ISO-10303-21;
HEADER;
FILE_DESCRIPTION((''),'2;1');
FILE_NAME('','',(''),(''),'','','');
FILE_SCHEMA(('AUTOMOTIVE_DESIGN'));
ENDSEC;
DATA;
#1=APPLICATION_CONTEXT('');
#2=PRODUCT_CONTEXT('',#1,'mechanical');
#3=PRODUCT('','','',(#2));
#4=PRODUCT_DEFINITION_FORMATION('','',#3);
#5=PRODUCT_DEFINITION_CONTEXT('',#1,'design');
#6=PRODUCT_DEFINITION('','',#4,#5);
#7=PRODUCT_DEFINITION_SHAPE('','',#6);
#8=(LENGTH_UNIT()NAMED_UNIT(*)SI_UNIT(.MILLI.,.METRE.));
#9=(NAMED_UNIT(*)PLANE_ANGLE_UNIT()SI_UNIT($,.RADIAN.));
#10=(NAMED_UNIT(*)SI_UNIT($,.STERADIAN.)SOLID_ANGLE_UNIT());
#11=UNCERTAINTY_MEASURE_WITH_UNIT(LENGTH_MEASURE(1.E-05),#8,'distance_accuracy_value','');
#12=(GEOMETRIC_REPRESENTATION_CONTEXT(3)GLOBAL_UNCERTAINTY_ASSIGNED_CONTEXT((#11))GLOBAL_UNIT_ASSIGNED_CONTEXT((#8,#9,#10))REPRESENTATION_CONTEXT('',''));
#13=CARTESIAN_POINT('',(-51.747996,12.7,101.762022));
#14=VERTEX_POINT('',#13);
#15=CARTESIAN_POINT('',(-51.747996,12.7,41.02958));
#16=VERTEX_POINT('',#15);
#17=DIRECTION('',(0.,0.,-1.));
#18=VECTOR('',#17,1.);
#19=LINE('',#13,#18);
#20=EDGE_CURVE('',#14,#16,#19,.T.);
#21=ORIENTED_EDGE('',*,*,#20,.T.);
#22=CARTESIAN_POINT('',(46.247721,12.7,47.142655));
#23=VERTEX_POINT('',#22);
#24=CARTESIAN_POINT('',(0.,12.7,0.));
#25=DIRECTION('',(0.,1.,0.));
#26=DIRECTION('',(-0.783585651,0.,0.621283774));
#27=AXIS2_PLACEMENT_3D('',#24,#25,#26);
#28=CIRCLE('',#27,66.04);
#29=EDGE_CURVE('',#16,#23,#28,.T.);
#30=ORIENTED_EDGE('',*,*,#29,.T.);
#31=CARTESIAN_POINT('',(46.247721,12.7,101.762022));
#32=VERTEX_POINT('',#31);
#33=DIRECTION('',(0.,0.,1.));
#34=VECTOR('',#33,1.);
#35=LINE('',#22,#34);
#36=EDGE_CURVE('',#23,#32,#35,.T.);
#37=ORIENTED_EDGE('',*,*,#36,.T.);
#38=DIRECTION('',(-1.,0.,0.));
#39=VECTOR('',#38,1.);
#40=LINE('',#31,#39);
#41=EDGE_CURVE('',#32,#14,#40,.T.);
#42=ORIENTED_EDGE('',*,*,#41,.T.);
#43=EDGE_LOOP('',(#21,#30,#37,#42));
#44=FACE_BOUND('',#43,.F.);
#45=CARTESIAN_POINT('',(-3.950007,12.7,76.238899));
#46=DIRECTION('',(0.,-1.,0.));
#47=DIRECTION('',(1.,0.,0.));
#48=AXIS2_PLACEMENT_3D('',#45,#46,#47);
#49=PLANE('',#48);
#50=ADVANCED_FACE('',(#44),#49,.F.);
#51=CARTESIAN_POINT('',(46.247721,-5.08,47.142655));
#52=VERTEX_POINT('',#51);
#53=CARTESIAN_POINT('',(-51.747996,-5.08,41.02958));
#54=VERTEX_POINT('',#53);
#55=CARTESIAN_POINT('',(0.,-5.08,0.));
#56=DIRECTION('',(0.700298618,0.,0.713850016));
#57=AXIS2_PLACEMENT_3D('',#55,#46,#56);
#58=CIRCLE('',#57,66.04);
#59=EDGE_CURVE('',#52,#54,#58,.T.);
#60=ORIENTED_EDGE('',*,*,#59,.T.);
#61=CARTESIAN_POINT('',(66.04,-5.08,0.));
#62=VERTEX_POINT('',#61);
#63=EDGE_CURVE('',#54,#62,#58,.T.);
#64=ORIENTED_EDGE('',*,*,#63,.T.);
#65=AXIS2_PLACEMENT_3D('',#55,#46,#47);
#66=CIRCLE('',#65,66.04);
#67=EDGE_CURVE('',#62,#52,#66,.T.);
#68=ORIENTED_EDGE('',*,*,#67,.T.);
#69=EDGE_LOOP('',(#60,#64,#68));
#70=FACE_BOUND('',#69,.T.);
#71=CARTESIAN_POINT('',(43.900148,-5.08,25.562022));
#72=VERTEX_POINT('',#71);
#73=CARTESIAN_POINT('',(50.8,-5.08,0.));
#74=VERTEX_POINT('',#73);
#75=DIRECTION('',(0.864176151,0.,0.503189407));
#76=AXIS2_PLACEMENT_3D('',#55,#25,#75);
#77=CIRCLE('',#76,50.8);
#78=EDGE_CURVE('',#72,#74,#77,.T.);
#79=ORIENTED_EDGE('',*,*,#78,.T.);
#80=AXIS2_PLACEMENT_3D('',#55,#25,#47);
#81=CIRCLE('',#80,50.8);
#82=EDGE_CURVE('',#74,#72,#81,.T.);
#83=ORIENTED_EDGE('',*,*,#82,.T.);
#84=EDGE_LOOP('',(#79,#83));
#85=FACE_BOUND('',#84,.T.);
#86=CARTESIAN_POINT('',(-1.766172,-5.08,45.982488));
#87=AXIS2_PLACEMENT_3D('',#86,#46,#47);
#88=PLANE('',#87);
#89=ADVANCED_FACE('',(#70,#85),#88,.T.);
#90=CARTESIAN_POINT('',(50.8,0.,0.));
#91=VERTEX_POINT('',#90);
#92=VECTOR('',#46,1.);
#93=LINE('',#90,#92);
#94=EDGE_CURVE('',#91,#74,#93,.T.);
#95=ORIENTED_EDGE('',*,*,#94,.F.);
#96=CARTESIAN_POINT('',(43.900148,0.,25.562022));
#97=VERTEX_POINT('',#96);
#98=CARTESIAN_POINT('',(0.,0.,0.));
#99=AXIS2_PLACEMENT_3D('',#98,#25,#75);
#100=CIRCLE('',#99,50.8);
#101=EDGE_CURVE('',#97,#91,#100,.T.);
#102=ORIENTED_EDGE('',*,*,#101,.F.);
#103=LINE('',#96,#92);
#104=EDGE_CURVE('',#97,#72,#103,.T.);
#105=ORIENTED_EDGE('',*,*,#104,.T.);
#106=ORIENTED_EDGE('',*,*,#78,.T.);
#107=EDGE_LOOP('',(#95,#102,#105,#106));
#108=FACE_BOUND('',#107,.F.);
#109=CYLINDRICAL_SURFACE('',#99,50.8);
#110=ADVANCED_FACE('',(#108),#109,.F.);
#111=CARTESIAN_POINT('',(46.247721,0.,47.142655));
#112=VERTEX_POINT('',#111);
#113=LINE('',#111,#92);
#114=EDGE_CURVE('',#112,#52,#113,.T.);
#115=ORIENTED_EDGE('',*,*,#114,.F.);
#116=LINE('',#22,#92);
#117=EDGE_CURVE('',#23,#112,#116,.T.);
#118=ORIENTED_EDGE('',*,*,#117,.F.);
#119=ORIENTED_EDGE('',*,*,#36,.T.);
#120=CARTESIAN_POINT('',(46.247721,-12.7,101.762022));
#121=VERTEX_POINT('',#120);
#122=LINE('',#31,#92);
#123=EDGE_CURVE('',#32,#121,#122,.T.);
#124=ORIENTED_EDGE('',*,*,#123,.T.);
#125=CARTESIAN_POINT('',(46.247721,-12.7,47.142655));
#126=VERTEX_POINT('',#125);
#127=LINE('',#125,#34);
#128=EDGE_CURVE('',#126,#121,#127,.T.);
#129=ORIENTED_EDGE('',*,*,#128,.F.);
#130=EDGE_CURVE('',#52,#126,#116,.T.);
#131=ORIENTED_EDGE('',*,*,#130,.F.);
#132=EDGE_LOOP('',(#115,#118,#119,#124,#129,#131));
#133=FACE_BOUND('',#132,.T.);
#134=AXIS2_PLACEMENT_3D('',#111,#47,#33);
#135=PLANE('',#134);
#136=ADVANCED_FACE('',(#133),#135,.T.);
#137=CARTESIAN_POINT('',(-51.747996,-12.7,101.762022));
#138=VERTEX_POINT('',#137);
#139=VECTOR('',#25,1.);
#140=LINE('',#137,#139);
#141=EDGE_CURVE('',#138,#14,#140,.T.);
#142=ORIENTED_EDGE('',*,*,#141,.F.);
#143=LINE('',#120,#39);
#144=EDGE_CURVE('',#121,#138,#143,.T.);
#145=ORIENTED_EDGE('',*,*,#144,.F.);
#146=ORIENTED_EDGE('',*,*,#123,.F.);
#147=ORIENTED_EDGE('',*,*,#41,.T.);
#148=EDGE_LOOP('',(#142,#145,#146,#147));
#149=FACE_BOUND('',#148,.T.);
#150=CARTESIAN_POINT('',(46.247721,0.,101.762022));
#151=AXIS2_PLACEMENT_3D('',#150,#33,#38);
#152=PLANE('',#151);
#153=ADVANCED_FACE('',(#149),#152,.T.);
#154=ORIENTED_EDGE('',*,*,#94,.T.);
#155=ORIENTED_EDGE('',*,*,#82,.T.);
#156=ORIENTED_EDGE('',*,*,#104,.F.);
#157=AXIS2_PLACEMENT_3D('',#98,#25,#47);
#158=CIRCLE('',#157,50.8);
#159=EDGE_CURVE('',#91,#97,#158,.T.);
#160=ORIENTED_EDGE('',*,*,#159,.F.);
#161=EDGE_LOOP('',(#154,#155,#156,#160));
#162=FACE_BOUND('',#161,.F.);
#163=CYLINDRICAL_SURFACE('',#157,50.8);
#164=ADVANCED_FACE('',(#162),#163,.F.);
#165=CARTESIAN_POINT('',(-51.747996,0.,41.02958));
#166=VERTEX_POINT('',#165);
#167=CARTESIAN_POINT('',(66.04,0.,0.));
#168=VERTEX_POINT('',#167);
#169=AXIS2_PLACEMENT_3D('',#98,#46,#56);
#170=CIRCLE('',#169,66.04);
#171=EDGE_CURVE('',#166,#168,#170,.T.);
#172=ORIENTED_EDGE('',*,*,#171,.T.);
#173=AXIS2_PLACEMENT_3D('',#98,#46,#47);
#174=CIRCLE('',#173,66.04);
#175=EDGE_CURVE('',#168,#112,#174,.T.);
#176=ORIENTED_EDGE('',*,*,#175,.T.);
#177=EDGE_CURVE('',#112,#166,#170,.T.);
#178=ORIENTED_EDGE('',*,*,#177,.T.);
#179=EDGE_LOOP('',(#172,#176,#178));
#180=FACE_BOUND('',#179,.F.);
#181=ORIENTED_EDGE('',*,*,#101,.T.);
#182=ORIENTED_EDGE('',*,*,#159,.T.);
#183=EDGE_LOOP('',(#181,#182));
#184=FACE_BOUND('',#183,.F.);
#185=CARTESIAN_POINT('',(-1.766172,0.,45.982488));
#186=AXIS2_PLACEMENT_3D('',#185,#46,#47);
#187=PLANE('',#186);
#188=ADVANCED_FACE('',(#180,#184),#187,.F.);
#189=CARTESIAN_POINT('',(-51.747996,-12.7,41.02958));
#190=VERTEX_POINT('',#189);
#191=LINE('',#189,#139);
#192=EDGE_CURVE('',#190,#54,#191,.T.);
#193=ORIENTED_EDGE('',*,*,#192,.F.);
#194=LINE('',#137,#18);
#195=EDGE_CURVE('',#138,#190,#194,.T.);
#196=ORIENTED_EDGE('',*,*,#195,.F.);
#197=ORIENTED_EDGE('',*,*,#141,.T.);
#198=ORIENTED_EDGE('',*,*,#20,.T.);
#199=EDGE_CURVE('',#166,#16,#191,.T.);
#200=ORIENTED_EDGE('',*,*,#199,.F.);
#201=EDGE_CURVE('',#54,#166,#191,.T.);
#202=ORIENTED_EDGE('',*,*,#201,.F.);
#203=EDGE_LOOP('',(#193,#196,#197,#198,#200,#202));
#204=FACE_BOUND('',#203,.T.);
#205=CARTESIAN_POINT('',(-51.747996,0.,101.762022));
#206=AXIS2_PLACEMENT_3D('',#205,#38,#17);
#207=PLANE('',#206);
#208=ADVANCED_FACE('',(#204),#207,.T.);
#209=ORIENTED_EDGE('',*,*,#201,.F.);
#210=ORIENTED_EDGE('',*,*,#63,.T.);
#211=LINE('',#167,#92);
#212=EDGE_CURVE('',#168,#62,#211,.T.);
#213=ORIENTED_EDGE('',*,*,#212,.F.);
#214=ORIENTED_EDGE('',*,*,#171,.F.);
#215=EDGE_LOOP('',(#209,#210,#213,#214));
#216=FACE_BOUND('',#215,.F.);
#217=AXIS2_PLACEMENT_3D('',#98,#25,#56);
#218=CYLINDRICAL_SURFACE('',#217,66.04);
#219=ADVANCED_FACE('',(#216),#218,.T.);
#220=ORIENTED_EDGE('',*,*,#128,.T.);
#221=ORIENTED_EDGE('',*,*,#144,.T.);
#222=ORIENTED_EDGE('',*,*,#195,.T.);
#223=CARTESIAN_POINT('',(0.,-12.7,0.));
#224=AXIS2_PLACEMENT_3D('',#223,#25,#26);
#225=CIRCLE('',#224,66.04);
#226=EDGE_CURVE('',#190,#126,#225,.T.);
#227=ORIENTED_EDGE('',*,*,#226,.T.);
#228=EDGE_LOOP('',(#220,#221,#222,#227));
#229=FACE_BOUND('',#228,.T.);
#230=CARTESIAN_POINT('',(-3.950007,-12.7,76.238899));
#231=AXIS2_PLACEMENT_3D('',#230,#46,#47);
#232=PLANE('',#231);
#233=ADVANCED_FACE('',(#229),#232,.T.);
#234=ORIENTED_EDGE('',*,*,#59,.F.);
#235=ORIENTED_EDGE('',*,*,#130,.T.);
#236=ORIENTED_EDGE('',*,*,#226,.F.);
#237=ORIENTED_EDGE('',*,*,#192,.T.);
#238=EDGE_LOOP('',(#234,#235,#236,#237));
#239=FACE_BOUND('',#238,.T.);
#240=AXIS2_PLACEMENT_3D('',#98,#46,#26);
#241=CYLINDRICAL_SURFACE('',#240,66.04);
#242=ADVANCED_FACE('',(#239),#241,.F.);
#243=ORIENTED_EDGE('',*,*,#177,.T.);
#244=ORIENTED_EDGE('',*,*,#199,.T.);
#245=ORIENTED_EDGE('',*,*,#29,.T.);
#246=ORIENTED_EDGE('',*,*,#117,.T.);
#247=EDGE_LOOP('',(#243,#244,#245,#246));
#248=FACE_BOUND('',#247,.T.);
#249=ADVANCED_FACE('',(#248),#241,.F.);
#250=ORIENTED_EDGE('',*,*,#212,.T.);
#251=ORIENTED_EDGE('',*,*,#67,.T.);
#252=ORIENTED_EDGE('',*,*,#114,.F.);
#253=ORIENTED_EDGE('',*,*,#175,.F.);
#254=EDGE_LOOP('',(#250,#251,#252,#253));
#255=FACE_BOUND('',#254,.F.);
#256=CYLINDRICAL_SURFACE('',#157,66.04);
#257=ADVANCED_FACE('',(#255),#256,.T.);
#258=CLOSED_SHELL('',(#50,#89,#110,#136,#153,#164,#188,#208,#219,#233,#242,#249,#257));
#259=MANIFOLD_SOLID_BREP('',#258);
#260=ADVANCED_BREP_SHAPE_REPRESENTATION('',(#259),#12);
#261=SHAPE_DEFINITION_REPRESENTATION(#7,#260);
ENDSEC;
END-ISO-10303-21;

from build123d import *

# Parameters (mm, degrees)
F1_DEPTH = 5.08
F2_DEPTH = 12.7


with BuildPart() as f1:
    # F0 (on Front) → F1 (new body)
    with BuildSketch(Plane.XZ):
        with BuildLine():
            Line((46.2477207184, 25.5620218813), (46.2477207184, 47.1426550838))
            ThreePointArc((46.2477207184, 47.1426550838), (-4.1116515384, 65.9118799734), (-51.7479963601, 41.0295804599))
            Line((-51.7479963601, 41.0295804599), (-51.7479963601, 25.5620218813))
            Line((-51.7479963601, 25.5620218813), (-43.9001484888, 25.5620218813))
            ThreePointArc((-43.9001484888, 25.5620218813), (0, 50.8), (43.9001484888, 25.5620218813))
            Line((43.9001484888, 25.5620218813), (46.2477207184, 25.5620218813))
        make_face()
        with BuildLine():
            ThreePointArc((-51.7479963601, 41.0295804599), (-21.7237648715, -62.3647307363), (66.04, 0))
            ThreePointArc((66.04, 0), (60.8912188917, 25.56444918), (46.2477207184, 47.1426550838))
            Line((46.2477207184, 47.1426550838), (46.2477207184, 25.5620218813))
            Line((46.2477207184, 25.5620218813), (43.9001484888, 25.5620218813))
            ThreePointArc((43.9001484888, 25.5620218813), (49.0447119638, 13.2384375356), (50.8, 0))
            ThreePointArc((50.8, 0), (-13.2384375356, -49.0447119638), (-43.9001484888, 25.5620218813))
            Line((-43.9001484888, 25.5620218813), (-51.7479963601, 25.5620218813))
            Line((-51.7479963601, 25.5620218813), (-51.7479963601, 41.0295804599))
        make_face()
    extrude(amount=F1_DEPTH)

    # F0 (on Front) → F2 (join, symmetric)
    with BuildSketch(Plane.XZ):
        with BuildLine():
            ThreePointArc((-51.7479963601, 41.0295804599), (-4.1116515384, 65.9118799734), (46.2477207184, 47.1426550838))
            Line((46.2477207184, 47.1426550838), (46.2477207184, 101.7620218813))
            Line((46.2477207184, 101.7620218813), (-51.7479963601, 101.7620218813))
            Line((-51.7479963601, 101.7620218813), (-51.7479963601, 41.0295804599))
        make_face()
    extrude(amount=F2_DEPTH, both=True)


solid = f1.part
